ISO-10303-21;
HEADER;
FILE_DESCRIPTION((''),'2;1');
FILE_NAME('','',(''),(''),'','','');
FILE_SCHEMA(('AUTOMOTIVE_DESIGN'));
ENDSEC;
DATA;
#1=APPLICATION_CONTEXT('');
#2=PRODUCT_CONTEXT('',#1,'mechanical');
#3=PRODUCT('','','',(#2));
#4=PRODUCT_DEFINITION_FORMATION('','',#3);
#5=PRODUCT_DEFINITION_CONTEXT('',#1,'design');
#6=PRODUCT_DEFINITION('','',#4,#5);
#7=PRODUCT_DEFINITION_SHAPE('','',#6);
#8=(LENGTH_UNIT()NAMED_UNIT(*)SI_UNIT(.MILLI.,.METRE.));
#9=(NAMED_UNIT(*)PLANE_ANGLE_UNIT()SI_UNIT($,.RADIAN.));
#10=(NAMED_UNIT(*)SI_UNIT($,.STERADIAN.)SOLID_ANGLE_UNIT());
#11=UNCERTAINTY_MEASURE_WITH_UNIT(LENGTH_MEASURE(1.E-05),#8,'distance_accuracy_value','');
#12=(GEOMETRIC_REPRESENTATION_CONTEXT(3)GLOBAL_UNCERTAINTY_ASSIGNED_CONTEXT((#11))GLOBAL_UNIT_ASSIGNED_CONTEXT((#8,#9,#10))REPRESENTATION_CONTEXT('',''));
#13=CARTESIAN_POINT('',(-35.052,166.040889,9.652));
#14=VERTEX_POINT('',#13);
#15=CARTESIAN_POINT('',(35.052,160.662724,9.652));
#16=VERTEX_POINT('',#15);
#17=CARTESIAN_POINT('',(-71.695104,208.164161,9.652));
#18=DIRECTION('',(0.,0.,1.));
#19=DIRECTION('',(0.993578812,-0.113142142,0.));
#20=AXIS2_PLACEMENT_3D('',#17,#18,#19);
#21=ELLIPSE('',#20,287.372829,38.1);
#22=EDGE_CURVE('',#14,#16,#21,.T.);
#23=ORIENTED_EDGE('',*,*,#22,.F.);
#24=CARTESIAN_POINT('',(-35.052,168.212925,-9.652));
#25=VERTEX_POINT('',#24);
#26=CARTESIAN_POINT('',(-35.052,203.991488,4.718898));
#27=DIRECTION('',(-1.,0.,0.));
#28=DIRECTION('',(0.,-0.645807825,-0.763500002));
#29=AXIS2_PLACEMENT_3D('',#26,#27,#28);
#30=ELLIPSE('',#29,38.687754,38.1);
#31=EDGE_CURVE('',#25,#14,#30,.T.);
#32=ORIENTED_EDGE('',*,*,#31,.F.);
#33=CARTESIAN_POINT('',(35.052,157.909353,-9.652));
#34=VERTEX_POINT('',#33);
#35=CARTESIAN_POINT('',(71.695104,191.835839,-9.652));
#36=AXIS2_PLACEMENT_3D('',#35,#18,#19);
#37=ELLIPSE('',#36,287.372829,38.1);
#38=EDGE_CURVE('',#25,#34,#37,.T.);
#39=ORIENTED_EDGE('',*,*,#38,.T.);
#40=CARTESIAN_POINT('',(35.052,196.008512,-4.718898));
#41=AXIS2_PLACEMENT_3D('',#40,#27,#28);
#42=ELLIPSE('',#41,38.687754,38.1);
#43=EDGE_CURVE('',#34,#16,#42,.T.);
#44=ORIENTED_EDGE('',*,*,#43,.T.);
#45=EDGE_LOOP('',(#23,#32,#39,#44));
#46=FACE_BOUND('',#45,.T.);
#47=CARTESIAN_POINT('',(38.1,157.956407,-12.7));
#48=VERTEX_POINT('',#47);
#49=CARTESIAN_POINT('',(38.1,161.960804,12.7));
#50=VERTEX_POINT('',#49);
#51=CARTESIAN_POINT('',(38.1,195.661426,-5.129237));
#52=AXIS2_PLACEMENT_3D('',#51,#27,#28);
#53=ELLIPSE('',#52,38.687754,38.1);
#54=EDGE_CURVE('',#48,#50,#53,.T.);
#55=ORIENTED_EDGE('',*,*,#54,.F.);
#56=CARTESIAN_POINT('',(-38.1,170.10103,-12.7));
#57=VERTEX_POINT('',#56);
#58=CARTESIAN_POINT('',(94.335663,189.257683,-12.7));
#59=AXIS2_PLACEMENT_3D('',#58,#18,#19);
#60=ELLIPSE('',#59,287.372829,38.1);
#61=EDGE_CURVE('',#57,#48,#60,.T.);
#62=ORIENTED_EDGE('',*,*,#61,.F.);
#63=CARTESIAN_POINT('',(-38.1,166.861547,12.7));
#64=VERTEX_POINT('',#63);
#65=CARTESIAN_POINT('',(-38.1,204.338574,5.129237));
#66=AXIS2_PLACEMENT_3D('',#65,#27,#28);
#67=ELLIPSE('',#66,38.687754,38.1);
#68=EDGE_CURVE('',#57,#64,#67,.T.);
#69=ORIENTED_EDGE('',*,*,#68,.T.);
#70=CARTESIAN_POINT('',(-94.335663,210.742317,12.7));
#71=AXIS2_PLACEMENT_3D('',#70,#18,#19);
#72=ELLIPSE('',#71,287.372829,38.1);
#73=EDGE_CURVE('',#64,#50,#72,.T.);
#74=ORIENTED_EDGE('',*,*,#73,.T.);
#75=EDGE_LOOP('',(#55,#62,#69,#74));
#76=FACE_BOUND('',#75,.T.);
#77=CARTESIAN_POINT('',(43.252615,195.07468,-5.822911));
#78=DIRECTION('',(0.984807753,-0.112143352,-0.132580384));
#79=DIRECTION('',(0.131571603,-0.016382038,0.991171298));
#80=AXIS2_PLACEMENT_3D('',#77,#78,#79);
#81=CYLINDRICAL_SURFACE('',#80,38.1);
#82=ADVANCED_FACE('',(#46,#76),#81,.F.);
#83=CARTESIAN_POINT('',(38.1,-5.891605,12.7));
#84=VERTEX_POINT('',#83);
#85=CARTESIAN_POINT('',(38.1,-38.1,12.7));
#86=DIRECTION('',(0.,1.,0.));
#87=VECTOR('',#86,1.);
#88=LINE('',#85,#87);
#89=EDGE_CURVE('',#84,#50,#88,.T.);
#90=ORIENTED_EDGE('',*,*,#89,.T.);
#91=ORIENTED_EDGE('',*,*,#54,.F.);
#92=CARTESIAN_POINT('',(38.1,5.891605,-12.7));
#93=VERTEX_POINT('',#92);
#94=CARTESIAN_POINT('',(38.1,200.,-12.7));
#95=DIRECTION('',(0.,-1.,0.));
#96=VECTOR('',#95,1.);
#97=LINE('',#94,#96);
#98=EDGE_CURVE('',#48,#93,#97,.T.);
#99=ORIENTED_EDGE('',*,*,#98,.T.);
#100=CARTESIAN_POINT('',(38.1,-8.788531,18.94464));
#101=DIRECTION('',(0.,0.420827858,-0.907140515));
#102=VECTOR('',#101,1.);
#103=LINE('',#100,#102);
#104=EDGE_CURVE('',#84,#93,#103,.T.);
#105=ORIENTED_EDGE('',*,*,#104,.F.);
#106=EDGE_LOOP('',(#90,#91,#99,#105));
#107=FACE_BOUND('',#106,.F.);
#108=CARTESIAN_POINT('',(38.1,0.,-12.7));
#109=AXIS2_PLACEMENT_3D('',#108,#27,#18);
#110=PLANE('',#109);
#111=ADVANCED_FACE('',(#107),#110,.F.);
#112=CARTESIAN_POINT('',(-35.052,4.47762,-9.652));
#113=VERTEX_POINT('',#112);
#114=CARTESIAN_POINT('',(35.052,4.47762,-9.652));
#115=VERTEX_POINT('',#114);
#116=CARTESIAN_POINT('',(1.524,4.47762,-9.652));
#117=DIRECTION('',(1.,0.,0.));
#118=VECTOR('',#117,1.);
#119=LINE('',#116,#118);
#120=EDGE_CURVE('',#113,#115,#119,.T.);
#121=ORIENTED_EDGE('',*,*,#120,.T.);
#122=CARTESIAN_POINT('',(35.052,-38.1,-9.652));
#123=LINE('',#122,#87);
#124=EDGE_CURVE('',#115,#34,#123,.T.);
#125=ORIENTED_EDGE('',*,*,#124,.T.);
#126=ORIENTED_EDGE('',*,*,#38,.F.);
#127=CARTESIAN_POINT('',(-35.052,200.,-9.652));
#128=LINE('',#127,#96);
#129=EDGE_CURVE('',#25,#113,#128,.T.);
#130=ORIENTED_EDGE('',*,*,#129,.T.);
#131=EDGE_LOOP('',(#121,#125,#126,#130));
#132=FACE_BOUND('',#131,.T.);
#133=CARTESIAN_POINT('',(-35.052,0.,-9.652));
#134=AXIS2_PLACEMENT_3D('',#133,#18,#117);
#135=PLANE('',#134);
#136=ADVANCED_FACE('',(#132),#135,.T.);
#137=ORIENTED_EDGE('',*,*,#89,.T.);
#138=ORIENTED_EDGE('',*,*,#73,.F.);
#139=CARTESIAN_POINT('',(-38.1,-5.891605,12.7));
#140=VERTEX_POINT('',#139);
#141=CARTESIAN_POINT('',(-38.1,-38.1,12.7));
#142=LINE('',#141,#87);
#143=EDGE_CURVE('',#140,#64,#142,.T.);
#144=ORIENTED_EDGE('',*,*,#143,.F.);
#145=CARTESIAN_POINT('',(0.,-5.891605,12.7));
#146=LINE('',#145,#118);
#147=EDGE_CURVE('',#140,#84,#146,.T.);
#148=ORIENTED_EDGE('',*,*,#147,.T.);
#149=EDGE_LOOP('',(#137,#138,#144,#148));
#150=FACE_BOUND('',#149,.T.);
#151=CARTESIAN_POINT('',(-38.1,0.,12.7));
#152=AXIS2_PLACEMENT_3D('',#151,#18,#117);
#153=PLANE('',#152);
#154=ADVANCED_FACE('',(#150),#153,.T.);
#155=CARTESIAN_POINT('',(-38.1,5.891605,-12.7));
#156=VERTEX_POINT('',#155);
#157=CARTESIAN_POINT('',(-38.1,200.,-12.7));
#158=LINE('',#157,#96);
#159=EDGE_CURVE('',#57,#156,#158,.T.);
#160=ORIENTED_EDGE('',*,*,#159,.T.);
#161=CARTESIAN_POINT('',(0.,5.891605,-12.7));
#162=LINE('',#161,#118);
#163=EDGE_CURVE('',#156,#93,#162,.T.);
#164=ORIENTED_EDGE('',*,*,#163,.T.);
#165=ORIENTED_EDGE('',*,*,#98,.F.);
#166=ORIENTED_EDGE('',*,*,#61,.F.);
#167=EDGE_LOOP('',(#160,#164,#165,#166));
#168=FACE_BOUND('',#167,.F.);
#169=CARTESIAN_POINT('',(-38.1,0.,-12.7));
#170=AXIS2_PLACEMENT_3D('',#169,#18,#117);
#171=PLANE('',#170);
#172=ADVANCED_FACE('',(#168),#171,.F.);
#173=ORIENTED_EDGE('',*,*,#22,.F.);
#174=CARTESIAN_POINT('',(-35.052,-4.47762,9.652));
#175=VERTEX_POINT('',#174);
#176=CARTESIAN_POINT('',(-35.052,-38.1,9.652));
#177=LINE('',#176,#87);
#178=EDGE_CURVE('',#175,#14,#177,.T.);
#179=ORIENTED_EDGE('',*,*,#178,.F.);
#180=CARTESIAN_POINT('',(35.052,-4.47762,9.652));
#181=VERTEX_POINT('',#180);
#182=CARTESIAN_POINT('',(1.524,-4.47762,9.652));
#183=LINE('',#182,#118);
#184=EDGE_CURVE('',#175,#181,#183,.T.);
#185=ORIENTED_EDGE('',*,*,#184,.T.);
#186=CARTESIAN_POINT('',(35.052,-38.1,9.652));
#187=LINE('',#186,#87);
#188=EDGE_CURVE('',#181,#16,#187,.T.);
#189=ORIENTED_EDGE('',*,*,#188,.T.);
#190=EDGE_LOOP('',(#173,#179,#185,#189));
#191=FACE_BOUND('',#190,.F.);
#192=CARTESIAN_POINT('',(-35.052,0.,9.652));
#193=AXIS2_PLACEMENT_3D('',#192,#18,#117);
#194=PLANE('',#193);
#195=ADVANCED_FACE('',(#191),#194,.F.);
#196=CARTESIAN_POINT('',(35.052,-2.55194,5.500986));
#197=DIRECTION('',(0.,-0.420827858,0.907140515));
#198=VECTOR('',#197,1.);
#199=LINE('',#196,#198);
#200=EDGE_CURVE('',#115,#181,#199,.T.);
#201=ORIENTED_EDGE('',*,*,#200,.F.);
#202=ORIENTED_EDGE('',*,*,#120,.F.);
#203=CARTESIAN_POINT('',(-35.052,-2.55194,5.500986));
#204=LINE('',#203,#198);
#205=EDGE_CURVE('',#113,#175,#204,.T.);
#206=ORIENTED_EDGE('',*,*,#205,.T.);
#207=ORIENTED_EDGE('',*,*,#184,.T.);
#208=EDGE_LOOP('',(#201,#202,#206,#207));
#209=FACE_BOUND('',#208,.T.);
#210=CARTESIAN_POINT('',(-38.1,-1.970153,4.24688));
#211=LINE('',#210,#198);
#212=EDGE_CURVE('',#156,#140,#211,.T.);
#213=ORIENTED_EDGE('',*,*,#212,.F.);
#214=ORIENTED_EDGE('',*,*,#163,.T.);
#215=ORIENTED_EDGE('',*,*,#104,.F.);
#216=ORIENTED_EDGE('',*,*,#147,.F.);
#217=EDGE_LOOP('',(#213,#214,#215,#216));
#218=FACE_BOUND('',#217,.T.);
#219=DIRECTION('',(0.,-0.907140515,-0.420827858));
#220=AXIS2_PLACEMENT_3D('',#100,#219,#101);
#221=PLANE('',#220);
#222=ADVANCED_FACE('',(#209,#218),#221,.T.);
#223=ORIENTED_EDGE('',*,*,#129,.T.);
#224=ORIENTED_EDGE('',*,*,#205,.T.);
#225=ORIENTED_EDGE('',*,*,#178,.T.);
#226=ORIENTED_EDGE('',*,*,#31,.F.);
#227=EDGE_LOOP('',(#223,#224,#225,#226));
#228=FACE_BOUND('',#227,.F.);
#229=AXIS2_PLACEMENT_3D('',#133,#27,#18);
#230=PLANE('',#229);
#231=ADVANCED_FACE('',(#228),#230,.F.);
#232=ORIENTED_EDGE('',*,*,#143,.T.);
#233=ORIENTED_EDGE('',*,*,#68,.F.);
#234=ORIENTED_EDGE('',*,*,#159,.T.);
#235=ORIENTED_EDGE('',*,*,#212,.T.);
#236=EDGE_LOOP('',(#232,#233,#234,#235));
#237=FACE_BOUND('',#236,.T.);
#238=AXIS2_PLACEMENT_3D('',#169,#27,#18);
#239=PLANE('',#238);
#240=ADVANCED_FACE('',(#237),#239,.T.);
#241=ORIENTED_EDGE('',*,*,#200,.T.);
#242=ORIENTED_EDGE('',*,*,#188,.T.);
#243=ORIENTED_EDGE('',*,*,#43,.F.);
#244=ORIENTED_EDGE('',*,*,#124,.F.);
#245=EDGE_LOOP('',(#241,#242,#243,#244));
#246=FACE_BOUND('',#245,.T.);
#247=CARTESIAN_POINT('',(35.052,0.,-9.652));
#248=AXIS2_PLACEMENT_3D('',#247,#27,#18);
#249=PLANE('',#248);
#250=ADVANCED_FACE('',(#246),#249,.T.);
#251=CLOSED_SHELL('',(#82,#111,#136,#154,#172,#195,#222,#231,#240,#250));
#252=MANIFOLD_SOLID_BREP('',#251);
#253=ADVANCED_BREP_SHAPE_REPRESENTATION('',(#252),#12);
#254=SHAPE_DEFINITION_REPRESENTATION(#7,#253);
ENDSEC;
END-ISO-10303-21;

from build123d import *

# Parameters (mm, degrees)
SKETCH1_W           = 76.2
SKETCH1_H           = 25.4
SKETCH1_W_2         = 70.104
SKETCH1_H_2         = 19.304
BOSS_EXTRUDE1_DEPTH = 200
SKETCH3_W           = 76.2
SKETCH3_H           = 25.4
SKETCH3_W_2         = 70.104
SKETCH3_H_2         = 19.304
BOSS_EXTRUDE2_DEPTH = 38.1
CUT_EXTRUDE1_DEPTH  = 77.2
CUT_EXTRUDE5_START  = 13.832764
SKETCH7_R           = 38.1
CUT_EXTRUDE5_DEPTH  = 83.124802


with BuildPart() as part:
    # Sketch1 → Boss-Extrude1 (new body)
    with BuildSketch(Plane(origin=(0, 0, 0), x_dir=(1, 0, 0), z_dir=(0, 1, 0))):
        Rectangle(SKETCH1_W, SKETCH1_H)
        Rectangle(SKETCH1_W_2, SKETCH1_H_2, mode=Mode.SUBTRACT)
    extrude(amount=BOSS_EXTRUDE1_DEPTH)

    # Sketch3 → Boss-Extrude2 (add)
    with BuildSketch(Plane.XZ):
        Rectangle(SKETCH3_W, SKETCH3_H)
        Rectangle(SKETCH3_W_2, SKETCH3_H_2, mode=Mode.SUBTRACT)
    extrude(amount=BOSS_EXTRUDE2_DEPTH)

    # Sketch4 → Cut-Extrude1 (cut, through all)
    with BuildSketch(Plane(origin=(38.1, 0, 0), x_dir=(0, 0, -1), z_dir=(1, 0, 0))):
        Polygon((-18.94463971, -8.788530579), (21.02313948, 9.752758934), (26.07322677, -49.294265894), (-15.918593218, -47.517542491), align=None)
    extrude(amount=-CUT_EXTRUDE1_DEPTH, mode=Mode.SUBTRACT)

    # Sketch7 → Cut-Extrude5 (cut)
    with BuildSketch(Plane(origin=(56.875227758, 193.523427606, -7.656864493), x_dir=(0.131571603, -0.016382038, 0.991171298), z_dir=(-0.984807753, 0.112143352, 0.132580384)).offset(CUT_EXTRUDE5_START)):
        Circle(SKETCH7_R)
    extrude(amount=CUT_EXTRUDE5_DEPTH, mode=Mode.SUBTRACT)


solid = part.part
